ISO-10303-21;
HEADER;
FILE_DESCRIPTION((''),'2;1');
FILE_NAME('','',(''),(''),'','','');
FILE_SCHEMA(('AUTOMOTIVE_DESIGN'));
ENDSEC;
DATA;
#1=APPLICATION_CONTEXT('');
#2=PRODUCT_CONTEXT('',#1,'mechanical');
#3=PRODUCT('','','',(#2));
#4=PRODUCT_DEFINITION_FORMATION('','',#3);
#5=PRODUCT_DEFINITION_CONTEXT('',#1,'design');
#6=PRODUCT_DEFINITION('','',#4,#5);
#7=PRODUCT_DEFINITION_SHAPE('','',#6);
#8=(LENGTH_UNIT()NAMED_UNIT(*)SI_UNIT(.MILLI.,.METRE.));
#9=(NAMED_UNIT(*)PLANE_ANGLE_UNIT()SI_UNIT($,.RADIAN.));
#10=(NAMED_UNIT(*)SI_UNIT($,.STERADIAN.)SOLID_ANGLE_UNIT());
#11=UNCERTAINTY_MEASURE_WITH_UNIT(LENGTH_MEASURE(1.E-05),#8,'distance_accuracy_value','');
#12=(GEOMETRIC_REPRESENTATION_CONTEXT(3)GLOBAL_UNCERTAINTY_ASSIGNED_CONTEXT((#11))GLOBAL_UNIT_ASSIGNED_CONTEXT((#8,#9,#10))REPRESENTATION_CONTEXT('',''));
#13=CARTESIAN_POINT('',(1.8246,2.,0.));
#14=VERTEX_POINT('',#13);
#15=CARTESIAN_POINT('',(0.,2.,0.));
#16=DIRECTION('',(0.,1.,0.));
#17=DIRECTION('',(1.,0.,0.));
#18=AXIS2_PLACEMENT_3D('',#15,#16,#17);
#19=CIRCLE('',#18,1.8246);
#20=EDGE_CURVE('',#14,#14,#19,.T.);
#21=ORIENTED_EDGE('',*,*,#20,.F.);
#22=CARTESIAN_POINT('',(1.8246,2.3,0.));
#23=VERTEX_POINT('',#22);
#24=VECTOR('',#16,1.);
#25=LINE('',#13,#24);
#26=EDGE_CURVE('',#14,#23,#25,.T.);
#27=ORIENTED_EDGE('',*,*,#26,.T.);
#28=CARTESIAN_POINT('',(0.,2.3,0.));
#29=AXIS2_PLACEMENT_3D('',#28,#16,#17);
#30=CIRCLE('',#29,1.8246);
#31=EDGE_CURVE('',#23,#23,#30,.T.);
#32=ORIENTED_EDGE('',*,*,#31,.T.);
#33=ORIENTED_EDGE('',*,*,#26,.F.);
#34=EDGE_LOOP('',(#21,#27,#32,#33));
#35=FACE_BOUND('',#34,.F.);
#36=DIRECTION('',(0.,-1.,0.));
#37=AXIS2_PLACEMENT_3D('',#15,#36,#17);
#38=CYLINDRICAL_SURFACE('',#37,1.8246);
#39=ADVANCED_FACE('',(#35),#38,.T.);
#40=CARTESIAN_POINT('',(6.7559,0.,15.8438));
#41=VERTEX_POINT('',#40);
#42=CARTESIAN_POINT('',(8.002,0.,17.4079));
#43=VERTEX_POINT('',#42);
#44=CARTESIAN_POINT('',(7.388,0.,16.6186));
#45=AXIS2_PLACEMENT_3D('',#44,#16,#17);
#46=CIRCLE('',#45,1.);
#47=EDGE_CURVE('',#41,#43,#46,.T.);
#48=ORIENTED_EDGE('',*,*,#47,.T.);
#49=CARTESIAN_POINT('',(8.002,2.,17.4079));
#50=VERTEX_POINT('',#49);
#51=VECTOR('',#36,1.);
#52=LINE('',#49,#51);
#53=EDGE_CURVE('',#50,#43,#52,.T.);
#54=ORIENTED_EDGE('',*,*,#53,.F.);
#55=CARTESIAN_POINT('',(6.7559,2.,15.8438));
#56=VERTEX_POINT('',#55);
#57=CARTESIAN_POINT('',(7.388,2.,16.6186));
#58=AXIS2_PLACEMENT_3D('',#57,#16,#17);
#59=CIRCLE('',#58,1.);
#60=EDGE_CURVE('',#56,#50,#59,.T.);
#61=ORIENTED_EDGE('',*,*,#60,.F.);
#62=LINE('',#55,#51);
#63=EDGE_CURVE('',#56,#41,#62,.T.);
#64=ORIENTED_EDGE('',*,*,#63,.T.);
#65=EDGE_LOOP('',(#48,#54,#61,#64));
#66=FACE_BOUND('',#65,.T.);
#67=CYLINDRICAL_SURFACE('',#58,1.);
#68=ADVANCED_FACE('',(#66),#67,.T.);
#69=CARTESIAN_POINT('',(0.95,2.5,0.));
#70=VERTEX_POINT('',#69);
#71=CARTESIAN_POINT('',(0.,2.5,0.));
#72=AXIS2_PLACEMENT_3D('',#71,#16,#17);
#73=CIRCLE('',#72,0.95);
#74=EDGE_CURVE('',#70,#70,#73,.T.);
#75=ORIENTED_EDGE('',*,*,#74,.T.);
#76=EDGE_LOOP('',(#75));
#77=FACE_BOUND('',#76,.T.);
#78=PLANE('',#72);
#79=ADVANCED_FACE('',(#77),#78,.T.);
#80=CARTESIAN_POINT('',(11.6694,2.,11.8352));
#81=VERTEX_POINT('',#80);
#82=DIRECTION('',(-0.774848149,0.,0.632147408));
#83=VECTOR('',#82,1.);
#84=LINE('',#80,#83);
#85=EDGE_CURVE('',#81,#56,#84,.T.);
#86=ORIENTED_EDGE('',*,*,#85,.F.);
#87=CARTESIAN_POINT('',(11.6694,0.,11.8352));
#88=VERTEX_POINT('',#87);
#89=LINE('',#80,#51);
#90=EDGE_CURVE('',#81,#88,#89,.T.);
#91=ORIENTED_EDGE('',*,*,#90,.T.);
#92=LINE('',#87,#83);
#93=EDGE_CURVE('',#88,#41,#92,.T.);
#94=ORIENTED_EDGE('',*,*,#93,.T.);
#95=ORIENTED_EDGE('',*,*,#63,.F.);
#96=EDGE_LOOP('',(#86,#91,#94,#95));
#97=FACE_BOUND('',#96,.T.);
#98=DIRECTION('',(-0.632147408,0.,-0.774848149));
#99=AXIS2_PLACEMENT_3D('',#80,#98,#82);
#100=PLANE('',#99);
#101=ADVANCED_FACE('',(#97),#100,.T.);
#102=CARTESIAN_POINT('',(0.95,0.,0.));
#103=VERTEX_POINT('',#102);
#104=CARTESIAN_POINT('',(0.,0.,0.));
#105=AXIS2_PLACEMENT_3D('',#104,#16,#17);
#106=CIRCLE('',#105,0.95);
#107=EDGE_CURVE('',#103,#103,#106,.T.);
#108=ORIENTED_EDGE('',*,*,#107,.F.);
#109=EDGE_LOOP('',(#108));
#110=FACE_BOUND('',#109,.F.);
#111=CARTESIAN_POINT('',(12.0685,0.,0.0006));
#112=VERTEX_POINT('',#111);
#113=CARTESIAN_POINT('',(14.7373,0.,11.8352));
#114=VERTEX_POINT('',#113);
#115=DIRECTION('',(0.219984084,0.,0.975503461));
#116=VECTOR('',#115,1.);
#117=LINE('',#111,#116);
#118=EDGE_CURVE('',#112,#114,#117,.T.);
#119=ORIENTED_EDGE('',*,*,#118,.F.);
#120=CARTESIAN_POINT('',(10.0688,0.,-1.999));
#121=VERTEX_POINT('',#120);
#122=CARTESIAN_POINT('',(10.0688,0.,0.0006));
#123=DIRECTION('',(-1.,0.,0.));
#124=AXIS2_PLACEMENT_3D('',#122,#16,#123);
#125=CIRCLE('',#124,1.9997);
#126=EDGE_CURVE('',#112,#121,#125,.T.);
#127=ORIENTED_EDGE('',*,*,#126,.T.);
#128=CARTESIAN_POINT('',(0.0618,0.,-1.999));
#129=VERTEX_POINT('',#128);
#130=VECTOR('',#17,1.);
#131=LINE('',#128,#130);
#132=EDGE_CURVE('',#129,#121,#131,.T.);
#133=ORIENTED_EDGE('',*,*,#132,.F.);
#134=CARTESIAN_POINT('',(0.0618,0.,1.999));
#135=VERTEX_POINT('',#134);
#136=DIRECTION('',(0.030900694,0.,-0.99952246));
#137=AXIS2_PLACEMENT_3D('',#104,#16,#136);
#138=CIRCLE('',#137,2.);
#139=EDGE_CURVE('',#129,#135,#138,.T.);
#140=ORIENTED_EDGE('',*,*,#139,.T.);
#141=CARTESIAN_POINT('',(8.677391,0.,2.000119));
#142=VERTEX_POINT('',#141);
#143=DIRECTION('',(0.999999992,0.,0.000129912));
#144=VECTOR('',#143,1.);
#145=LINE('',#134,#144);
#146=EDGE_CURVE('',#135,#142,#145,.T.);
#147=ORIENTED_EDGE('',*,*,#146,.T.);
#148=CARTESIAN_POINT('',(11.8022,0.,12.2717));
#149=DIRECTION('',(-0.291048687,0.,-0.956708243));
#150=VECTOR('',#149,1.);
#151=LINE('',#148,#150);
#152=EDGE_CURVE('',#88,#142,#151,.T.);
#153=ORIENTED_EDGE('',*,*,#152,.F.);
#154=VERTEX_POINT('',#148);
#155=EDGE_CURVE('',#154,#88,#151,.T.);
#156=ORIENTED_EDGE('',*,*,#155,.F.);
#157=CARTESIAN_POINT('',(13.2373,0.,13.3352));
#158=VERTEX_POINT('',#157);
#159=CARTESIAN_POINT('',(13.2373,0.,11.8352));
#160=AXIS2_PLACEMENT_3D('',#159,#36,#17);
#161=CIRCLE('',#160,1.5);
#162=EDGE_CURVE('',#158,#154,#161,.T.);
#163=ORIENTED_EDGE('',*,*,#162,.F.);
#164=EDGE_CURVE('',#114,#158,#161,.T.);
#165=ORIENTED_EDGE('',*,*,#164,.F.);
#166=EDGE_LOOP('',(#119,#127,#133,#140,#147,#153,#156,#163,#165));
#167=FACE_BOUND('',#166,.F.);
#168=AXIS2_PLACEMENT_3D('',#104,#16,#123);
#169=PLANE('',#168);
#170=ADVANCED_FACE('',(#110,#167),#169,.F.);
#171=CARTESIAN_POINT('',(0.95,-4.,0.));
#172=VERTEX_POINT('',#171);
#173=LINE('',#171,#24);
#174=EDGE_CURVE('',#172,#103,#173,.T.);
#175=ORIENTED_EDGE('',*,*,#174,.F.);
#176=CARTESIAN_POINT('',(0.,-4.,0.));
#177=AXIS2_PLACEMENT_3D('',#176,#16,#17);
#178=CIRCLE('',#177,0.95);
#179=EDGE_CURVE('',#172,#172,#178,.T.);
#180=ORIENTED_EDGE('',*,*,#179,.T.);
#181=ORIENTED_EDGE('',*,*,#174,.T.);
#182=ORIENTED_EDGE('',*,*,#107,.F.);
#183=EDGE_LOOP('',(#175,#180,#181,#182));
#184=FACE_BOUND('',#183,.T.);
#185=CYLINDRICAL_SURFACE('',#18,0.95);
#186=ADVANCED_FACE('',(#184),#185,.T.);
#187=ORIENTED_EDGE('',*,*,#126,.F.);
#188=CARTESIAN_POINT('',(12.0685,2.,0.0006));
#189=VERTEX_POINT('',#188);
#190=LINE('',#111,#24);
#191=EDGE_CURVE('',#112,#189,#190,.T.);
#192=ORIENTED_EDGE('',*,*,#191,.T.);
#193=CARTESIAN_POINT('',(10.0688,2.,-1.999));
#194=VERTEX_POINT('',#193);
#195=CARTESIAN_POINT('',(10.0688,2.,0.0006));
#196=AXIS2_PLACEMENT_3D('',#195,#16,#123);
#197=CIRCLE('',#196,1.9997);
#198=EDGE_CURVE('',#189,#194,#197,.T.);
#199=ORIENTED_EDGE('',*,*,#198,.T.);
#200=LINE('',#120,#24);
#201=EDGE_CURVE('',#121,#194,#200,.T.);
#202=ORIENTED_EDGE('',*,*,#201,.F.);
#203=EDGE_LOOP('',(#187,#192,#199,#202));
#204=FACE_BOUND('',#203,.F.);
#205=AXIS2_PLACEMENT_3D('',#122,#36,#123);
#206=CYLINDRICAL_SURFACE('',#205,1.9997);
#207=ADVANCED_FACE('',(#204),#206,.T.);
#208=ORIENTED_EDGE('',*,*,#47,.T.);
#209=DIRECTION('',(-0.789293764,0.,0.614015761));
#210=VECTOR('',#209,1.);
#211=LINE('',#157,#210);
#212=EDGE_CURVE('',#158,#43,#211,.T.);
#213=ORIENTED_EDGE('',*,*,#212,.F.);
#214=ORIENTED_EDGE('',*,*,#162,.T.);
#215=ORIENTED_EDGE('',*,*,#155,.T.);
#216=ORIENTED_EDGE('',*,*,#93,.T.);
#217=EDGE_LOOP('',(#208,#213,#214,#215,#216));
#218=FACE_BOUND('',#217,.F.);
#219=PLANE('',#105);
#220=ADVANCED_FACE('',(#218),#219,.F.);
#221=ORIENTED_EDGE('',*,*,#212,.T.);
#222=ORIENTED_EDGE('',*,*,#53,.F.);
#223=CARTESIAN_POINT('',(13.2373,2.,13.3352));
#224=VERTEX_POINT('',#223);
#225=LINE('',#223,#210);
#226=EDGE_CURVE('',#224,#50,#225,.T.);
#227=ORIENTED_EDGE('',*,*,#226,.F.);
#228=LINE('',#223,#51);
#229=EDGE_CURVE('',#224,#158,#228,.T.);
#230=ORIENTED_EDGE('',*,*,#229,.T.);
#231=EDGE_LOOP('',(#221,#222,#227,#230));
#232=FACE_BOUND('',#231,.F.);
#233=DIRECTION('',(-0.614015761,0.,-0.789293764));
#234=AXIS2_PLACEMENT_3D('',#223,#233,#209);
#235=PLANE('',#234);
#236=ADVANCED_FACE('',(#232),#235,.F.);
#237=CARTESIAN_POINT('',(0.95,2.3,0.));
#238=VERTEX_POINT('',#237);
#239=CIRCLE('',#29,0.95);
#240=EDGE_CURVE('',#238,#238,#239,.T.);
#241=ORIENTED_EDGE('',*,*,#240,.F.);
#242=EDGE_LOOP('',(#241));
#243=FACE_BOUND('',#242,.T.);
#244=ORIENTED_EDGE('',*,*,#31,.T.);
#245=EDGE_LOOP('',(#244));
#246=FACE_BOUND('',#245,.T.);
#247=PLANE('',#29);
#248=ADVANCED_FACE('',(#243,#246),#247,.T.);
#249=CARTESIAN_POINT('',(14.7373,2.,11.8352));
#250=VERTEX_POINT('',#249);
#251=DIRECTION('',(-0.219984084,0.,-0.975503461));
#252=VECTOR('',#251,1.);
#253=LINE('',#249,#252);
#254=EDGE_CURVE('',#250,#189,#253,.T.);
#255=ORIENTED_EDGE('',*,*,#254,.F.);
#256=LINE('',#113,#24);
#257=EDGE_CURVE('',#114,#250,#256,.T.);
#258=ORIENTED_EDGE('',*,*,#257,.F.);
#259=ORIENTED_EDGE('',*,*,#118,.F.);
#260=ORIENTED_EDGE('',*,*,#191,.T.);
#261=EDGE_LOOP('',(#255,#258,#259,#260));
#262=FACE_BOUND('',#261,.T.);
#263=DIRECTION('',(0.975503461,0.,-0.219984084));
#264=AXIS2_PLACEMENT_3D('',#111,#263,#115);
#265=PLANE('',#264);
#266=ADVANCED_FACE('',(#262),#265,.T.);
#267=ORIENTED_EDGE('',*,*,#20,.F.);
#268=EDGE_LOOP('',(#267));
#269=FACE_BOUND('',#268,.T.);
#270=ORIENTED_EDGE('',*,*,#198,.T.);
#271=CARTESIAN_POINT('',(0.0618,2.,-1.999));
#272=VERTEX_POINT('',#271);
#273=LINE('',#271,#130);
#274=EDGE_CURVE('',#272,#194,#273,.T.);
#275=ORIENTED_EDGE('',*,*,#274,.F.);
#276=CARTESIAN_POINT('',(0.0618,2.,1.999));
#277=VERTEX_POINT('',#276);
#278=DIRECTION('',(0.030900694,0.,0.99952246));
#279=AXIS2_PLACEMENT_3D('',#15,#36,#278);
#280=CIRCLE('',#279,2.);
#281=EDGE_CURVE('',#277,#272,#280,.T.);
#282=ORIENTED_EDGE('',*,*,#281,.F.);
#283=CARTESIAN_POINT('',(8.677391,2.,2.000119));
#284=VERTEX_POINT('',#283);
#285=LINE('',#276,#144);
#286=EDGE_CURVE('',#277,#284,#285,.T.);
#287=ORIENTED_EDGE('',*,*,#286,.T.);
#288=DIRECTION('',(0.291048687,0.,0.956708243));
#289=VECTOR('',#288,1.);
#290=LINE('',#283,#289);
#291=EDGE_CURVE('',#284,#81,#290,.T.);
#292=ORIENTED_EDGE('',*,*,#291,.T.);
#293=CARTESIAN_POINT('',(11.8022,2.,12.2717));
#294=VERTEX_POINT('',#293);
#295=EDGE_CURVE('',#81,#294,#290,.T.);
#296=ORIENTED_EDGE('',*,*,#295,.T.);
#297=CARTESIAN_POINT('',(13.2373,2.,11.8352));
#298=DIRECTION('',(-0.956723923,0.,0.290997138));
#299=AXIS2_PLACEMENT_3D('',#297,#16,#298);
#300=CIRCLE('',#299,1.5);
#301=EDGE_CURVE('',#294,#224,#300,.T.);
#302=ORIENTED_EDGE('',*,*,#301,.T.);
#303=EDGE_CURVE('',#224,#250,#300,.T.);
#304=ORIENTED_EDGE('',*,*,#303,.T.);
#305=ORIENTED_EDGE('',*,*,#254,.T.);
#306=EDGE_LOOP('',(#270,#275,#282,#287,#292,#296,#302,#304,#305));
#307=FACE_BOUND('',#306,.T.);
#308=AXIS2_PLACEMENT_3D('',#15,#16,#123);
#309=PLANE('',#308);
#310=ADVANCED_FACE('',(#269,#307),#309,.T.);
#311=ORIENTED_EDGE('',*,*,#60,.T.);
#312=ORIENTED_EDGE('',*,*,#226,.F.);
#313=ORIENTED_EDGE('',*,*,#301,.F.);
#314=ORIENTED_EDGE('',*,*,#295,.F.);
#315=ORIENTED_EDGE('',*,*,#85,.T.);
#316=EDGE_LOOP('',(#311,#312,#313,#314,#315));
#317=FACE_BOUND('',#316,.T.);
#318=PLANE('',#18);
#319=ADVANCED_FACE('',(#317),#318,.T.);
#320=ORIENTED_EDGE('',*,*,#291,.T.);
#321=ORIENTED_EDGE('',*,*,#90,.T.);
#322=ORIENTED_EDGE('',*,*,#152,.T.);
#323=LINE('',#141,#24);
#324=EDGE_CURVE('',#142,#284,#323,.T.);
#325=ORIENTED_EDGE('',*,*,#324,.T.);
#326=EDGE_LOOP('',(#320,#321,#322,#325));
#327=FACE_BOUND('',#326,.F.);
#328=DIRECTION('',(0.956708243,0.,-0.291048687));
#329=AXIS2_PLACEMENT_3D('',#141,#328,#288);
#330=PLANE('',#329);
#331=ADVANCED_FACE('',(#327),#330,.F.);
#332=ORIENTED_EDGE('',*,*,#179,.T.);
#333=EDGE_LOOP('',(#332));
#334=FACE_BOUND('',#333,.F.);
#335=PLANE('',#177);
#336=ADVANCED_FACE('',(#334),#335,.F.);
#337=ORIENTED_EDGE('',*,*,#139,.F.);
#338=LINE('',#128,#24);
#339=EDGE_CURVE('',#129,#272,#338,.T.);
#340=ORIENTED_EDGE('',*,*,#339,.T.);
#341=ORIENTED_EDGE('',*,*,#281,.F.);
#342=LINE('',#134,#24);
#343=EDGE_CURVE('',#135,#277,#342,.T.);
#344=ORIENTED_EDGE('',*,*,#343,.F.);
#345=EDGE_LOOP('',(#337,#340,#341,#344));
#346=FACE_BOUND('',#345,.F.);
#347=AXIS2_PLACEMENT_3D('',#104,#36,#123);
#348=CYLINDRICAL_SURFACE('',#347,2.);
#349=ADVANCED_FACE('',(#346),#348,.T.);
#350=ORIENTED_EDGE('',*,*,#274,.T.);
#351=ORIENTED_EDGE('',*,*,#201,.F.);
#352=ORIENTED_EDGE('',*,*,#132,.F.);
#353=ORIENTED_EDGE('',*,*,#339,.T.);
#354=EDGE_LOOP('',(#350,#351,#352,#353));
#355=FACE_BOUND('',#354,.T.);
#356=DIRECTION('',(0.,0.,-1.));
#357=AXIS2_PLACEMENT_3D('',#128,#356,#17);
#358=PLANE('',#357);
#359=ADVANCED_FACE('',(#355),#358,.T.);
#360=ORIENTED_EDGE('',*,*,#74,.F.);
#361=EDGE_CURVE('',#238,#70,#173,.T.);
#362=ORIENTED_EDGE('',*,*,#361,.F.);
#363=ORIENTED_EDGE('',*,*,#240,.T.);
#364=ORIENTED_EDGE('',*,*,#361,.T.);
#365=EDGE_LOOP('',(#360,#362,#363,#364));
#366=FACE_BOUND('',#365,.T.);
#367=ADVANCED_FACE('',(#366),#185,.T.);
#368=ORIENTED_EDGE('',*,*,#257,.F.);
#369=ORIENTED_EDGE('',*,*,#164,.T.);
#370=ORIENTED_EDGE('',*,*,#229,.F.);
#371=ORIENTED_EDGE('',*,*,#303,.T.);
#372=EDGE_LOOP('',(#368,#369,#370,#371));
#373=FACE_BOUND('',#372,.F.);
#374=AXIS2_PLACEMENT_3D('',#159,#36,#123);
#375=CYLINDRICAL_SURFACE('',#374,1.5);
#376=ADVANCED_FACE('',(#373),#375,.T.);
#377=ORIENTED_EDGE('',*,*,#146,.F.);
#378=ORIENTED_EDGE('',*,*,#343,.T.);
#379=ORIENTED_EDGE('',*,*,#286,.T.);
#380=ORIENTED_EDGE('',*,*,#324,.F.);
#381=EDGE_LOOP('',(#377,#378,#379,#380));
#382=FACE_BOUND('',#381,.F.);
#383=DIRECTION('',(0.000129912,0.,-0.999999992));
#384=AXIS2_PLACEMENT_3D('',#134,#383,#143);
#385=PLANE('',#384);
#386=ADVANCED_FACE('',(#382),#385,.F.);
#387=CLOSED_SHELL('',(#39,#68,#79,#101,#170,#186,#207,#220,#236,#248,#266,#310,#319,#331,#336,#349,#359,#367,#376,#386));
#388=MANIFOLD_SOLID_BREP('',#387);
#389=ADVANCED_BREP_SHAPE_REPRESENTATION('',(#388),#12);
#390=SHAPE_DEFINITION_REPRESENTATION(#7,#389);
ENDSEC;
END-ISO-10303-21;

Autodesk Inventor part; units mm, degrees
ref_plane "YZ Plane" through (0, 0, 0) normal (1, 0, 0) x (0, 1, 0)
ref_plane "XZ Plane" through (0, 0, 0) normal (0, 1, 0) x (-1, 0, 0)
ref_plane "XY Plane" through (0, 0, 0) normal (0, 0, 1) x (1, 0, 0)
sketch "Sketch1" plane through (0, 0, 0) normal (0, 1, 0) x (-1, 0, 0)
  circle A0 centre (0, 0) radius 2
  circle A1 centre (0, 0) radius 0.95
  circle A2 centre (-10.0688, 0.0006) radius 1.9997
  line L0 (-0.0618, -1.999) -> (-10.0688, -1.999)
  line L1 (-0.0618, 1.999) -> (-10.0686, 2.0003)
  circle A3 centre (-13.2373, 11.8352) radius 1.5
  line L2 (-8.0691, 0.0006) -> (-11.8022, 12.2717)
  line L3 (-12.0685, 0.0006) -> (-14.7373, 11.8352)
  circle A4 centre (-8.6896, 15.1639) radius 1
  line L4 (-13.2373, 13.3352) -> (-9.2441, 15.9961)
  line L5 (-13.2373, 10.3352) -> (-8.0733, 14.3764)
  dimension "d0" = 4
  dimension "d1" = 1.9
  dimension "d2" = 3
  dimension "d13" = 2
extrude "Extrusion1" add sketch "Sketch1" along normal blind 2 contours A0 | A0 L0 A2 L2 L1 | L2 A2 L1 | L1 A2 L3 A3 L5 L2 | A2 L2 | A2 L2 | L5 A3 L2 | A3 L5 L3 | A3 L5
sketch "Sketch2" plane through (0, 2, 0) normal (0, 1, 0) x (1, 0, 0)
  circle A0 centre (0, 0) radius 0.95
extrude "Extrusion2" add sketch "Sketch2" against normal blind 6 and the other way blind 0.5
thread "Thread1" size "M2x0.4" class "6g" standard "ANSI Metric M Profile" full length
sketch "Sketch3" plane through (0, 2, 0) normal (0, 1, 0) x (1, 0, 0)
  circle A0 centre (0, 0) radius 1.8246
extrude "Extrusion3" add sketch "Sketch3" along normal blind 0.3
sketch "Sketch4" plane through (0, 2, 0) normal (0, 1, 0) x (1, 0, 0)
  circle A0 centre (7.388, -16.6186) radius 1
  arc A1 (11.8022, -12.2717) -> (14.7373, -11.8352) centre (13.2373, -11.8352) ccw projected
  line L0 (13.2373, -13.3352) -> (8.002, -17.4079)
  line L1 (8.6774, -2.0002) -> (11.8022, -12.2717) projected
  line L2 (11.6694, -11.8352) -> (6.7559, -15.8438)
  point P0 (0, 0)
  dimension "d14" = 2
extrude "Extrusion4" add sketch "Sketch4" against normal blind 2
properties part number "servo_hook"
